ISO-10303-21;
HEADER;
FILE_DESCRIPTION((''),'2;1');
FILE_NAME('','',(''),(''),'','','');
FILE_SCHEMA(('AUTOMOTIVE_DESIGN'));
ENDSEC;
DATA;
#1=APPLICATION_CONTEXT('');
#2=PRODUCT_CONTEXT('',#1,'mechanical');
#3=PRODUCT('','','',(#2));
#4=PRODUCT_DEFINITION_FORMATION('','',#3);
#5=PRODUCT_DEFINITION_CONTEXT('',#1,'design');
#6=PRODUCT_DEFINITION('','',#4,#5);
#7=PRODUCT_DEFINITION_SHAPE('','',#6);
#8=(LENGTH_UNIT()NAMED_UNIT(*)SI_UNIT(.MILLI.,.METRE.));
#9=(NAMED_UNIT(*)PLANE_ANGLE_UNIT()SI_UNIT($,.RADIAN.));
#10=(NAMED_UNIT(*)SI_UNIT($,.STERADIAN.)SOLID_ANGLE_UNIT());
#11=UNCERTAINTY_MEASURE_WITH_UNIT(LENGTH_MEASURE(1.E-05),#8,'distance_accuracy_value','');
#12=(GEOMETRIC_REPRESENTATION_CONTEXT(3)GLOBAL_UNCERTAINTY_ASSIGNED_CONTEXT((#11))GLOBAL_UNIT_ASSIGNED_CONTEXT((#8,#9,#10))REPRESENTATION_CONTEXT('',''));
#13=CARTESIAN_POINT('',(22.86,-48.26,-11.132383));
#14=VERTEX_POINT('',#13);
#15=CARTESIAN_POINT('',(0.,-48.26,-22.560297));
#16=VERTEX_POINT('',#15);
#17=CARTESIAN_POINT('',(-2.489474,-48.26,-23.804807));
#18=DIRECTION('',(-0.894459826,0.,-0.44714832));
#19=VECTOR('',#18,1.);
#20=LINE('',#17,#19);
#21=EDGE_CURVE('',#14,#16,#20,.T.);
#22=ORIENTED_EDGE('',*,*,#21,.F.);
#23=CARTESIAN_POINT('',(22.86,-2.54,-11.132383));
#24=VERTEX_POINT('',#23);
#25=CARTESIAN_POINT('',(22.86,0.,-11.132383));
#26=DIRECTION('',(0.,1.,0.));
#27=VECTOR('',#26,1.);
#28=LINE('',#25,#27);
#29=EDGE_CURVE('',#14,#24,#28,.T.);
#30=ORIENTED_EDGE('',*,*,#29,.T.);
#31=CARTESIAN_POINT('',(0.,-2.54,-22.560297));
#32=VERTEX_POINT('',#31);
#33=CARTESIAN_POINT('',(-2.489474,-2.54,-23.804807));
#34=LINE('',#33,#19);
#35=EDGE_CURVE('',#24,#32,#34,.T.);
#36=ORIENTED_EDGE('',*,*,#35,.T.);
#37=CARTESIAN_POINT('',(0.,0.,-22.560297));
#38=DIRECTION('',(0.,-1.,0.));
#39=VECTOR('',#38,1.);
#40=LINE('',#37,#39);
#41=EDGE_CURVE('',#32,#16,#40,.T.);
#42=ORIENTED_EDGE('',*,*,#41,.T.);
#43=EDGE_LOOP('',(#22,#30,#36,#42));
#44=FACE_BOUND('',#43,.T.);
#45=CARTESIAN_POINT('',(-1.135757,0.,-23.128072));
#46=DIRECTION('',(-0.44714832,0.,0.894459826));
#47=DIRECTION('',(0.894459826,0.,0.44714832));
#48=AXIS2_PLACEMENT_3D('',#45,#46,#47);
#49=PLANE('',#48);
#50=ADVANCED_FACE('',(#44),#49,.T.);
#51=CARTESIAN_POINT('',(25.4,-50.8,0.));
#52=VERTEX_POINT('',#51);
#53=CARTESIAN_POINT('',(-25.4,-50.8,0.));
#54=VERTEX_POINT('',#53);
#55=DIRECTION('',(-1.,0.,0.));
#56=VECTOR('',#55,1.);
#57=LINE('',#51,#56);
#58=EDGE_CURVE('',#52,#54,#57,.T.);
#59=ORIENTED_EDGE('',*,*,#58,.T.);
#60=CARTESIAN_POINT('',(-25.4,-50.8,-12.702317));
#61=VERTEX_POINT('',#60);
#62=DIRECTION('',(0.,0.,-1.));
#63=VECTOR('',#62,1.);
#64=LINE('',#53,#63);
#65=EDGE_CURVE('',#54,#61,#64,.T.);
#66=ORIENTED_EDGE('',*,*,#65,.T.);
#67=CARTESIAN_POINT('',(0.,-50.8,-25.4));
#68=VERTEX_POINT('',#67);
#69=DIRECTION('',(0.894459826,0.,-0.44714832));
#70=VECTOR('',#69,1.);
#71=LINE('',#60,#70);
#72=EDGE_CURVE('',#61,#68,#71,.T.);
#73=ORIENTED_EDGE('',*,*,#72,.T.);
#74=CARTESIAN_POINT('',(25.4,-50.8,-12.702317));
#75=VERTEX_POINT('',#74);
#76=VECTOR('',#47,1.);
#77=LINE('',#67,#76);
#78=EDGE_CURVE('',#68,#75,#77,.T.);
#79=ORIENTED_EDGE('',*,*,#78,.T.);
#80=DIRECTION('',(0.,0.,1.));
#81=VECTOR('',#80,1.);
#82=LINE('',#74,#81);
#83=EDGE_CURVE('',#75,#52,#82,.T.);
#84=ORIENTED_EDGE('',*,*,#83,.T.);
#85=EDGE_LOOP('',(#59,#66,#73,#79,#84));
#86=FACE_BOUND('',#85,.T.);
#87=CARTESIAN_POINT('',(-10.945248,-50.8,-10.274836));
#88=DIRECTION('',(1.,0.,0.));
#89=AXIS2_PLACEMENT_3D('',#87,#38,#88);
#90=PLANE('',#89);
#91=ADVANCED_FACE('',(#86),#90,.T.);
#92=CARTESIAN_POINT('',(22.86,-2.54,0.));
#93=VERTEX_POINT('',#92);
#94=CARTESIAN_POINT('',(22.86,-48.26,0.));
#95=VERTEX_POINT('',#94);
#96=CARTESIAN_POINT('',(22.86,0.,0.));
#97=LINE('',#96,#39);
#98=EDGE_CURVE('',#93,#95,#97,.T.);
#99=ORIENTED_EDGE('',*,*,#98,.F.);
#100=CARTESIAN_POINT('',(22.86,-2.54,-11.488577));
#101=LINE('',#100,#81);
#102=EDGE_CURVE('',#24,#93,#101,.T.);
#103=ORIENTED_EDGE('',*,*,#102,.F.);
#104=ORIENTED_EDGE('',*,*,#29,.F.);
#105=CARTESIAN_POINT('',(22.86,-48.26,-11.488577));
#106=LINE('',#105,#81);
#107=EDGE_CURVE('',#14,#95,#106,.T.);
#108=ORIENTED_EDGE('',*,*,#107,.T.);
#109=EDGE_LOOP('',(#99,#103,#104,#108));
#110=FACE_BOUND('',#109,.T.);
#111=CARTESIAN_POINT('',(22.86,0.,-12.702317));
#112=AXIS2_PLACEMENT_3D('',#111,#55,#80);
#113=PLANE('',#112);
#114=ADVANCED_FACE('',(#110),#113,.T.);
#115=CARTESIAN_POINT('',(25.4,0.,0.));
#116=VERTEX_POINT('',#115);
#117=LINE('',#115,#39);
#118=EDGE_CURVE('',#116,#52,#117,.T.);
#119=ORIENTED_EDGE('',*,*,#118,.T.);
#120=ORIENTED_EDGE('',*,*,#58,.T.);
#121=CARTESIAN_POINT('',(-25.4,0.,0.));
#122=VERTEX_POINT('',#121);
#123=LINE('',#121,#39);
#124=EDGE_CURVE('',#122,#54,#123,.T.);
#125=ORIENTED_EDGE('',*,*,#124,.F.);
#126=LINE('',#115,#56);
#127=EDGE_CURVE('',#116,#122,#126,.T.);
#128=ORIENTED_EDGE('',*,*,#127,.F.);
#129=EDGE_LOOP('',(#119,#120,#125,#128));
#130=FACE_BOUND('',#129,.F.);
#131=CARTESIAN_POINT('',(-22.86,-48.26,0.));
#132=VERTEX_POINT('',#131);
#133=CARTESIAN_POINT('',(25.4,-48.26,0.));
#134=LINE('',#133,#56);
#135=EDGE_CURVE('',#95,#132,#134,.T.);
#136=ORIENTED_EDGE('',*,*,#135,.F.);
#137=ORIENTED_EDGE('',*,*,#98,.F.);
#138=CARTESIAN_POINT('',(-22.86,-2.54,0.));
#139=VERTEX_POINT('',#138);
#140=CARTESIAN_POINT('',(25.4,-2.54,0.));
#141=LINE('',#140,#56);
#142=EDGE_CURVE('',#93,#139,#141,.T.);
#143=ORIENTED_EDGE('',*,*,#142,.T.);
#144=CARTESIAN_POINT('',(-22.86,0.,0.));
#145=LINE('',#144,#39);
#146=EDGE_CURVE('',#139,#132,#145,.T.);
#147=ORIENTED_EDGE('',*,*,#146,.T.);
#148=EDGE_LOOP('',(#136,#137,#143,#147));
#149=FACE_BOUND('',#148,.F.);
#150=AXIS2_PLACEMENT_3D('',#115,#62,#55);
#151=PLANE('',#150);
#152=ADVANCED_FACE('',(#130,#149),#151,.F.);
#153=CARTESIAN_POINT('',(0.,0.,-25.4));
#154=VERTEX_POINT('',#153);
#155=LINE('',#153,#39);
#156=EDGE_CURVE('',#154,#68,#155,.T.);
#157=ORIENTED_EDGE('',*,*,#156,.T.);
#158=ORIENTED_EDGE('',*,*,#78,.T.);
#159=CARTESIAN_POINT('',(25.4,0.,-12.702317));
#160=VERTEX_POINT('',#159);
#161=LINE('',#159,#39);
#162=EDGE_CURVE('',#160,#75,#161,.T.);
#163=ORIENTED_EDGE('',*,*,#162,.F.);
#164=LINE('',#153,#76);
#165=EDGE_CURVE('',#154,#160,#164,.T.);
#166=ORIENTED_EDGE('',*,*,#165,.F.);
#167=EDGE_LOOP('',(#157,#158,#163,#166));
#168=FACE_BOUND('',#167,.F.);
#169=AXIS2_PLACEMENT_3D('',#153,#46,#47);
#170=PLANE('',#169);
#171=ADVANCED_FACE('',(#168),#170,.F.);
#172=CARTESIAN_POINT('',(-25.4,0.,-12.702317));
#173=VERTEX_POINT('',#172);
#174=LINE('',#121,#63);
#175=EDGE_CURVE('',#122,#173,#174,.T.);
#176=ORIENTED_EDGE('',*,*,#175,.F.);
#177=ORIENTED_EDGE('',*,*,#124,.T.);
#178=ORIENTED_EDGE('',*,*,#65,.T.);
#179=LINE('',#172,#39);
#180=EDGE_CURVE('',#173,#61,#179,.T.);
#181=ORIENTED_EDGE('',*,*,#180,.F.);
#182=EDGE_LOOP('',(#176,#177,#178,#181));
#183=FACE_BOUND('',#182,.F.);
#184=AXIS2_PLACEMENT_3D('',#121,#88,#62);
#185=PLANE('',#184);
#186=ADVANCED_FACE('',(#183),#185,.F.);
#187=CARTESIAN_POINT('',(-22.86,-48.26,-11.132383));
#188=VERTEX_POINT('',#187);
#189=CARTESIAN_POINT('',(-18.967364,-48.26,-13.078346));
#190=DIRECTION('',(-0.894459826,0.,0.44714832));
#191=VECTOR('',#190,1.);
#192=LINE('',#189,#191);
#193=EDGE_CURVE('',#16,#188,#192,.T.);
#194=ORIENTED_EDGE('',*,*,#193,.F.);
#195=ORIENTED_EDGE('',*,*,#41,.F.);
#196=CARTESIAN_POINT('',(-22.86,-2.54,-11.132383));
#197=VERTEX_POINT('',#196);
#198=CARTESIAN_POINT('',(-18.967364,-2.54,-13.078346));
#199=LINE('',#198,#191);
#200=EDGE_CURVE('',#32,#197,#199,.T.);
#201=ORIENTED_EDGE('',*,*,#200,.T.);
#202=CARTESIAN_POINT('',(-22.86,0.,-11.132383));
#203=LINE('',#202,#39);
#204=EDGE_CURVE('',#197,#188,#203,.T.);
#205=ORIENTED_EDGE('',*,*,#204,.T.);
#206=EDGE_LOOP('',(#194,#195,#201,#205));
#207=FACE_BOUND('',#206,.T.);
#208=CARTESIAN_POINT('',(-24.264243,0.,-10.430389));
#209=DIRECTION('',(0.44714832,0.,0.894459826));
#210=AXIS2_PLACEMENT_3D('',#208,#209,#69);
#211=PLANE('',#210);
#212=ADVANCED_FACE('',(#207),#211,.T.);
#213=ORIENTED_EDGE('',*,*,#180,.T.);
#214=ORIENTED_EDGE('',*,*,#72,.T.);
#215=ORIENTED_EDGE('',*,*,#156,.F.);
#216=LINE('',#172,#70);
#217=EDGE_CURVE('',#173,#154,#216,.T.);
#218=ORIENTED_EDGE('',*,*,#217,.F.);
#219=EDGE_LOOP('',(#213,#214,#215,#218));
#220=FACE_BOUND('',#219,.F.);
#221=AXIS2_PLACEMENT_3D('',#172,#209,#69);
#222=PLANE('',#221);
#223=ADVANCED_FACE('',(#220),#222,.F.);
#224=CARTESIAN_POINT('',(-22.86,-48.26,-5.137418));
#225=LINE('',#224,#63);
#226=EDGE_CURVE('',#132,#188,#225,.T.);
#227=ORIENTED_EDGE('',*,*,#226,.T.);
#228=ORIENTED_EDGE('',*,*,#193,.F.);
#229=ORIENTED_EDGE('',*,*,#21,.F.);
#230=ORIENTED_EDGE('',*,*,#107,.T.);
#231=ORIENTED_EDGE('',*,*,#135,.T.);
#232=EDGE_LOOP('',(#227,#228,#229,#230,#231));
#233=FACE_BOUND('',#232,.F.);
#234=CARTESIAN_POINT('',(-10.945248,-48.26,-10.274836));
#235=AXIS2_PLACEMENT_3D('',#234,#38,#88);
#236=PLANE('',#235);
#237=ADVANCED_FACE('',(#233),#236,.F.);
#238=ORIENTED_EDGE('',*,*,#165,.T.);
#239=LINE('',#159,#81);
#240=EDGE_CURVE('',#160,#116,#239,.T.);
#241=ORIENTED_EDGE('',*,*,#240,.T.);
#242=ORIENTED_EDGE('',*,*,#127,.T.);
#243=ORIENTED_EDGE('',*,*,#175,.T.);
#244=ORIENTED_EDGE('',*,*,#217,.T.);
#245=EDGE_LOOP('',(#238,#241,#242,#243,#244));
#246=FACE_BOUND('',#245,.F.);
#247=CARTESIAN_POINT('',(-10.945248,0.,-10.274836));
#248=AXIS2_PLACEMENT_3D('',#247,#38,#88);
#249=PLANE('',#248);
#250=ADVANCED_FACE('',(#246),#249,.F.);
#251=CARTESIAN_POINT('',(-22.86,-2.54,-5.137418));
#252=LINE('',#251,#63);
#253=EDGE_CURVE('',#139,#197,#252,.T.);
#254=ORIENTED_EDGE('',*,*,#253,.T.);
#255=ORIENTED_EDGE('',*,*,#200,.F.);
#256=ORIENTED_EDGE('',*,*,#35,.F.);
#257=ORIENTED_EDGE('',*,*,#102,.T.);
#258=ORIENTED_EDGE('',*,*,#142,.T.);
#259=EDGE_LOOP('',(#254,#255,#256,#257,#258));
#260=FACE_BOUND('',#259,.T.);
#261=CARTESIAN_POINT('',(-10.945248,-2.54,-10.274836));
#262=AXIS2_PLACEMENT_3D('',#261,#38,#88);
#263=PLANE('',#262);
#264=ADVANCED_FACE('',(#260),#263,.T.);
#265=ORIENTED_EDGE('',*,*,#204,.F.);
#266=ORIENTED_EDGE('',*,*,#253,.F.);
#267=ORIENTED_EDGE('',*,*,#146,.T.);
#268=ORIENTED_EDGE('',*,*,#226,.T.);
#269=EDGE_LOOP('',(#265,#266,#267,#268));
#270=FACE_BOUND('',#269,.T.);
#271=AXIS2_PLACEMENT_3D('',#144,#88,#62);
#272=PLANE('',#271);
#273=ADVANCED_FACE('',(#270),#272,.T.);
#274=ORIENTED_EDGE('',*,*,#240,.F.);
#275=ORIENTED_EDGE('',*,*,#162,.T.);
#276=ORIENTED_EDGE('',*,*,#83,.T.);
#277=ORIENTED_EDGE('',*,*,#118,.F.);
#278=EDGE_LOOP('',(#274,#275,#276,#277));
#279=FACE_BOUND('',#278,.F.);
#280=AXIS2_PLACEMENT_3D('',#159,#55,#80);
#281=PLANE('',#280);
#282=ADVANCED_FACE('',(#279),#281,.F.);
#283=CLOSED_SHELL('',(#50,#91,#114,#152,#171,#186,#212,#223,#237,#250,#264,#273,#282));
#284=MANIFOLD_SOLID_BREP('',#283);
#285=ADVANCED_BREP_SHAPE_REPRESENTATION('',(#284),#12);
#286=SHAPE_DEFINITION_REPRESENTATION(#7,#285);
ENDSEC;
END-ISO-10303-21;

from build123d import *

# Parameters (mm, degrees)
F1_DEPTH = 50.8
F2_T     = -2.54


with BuildPart() as f1:
    # F0 (on Front) → F1 (new body)
    with BuildSketch(Plane.XZ):
        Polygon((0, -25.4), (0, 0), (-25.4, 0), (-25.4, -12.702317), align=None)
        Polygon((25.4, 0), (0, 0), (0, -25.4), (25.4, -12.702317), align=None)
    extrude(amount=F1_DEPTH)

    # F2
    f2_openings = [f1.faces().sort_by_distance(p)[0] for p in [
        (0, -25.4, 0),
    ]]
    offset(amount=F2_T, openings=f2_openings)


solid = f1.part
